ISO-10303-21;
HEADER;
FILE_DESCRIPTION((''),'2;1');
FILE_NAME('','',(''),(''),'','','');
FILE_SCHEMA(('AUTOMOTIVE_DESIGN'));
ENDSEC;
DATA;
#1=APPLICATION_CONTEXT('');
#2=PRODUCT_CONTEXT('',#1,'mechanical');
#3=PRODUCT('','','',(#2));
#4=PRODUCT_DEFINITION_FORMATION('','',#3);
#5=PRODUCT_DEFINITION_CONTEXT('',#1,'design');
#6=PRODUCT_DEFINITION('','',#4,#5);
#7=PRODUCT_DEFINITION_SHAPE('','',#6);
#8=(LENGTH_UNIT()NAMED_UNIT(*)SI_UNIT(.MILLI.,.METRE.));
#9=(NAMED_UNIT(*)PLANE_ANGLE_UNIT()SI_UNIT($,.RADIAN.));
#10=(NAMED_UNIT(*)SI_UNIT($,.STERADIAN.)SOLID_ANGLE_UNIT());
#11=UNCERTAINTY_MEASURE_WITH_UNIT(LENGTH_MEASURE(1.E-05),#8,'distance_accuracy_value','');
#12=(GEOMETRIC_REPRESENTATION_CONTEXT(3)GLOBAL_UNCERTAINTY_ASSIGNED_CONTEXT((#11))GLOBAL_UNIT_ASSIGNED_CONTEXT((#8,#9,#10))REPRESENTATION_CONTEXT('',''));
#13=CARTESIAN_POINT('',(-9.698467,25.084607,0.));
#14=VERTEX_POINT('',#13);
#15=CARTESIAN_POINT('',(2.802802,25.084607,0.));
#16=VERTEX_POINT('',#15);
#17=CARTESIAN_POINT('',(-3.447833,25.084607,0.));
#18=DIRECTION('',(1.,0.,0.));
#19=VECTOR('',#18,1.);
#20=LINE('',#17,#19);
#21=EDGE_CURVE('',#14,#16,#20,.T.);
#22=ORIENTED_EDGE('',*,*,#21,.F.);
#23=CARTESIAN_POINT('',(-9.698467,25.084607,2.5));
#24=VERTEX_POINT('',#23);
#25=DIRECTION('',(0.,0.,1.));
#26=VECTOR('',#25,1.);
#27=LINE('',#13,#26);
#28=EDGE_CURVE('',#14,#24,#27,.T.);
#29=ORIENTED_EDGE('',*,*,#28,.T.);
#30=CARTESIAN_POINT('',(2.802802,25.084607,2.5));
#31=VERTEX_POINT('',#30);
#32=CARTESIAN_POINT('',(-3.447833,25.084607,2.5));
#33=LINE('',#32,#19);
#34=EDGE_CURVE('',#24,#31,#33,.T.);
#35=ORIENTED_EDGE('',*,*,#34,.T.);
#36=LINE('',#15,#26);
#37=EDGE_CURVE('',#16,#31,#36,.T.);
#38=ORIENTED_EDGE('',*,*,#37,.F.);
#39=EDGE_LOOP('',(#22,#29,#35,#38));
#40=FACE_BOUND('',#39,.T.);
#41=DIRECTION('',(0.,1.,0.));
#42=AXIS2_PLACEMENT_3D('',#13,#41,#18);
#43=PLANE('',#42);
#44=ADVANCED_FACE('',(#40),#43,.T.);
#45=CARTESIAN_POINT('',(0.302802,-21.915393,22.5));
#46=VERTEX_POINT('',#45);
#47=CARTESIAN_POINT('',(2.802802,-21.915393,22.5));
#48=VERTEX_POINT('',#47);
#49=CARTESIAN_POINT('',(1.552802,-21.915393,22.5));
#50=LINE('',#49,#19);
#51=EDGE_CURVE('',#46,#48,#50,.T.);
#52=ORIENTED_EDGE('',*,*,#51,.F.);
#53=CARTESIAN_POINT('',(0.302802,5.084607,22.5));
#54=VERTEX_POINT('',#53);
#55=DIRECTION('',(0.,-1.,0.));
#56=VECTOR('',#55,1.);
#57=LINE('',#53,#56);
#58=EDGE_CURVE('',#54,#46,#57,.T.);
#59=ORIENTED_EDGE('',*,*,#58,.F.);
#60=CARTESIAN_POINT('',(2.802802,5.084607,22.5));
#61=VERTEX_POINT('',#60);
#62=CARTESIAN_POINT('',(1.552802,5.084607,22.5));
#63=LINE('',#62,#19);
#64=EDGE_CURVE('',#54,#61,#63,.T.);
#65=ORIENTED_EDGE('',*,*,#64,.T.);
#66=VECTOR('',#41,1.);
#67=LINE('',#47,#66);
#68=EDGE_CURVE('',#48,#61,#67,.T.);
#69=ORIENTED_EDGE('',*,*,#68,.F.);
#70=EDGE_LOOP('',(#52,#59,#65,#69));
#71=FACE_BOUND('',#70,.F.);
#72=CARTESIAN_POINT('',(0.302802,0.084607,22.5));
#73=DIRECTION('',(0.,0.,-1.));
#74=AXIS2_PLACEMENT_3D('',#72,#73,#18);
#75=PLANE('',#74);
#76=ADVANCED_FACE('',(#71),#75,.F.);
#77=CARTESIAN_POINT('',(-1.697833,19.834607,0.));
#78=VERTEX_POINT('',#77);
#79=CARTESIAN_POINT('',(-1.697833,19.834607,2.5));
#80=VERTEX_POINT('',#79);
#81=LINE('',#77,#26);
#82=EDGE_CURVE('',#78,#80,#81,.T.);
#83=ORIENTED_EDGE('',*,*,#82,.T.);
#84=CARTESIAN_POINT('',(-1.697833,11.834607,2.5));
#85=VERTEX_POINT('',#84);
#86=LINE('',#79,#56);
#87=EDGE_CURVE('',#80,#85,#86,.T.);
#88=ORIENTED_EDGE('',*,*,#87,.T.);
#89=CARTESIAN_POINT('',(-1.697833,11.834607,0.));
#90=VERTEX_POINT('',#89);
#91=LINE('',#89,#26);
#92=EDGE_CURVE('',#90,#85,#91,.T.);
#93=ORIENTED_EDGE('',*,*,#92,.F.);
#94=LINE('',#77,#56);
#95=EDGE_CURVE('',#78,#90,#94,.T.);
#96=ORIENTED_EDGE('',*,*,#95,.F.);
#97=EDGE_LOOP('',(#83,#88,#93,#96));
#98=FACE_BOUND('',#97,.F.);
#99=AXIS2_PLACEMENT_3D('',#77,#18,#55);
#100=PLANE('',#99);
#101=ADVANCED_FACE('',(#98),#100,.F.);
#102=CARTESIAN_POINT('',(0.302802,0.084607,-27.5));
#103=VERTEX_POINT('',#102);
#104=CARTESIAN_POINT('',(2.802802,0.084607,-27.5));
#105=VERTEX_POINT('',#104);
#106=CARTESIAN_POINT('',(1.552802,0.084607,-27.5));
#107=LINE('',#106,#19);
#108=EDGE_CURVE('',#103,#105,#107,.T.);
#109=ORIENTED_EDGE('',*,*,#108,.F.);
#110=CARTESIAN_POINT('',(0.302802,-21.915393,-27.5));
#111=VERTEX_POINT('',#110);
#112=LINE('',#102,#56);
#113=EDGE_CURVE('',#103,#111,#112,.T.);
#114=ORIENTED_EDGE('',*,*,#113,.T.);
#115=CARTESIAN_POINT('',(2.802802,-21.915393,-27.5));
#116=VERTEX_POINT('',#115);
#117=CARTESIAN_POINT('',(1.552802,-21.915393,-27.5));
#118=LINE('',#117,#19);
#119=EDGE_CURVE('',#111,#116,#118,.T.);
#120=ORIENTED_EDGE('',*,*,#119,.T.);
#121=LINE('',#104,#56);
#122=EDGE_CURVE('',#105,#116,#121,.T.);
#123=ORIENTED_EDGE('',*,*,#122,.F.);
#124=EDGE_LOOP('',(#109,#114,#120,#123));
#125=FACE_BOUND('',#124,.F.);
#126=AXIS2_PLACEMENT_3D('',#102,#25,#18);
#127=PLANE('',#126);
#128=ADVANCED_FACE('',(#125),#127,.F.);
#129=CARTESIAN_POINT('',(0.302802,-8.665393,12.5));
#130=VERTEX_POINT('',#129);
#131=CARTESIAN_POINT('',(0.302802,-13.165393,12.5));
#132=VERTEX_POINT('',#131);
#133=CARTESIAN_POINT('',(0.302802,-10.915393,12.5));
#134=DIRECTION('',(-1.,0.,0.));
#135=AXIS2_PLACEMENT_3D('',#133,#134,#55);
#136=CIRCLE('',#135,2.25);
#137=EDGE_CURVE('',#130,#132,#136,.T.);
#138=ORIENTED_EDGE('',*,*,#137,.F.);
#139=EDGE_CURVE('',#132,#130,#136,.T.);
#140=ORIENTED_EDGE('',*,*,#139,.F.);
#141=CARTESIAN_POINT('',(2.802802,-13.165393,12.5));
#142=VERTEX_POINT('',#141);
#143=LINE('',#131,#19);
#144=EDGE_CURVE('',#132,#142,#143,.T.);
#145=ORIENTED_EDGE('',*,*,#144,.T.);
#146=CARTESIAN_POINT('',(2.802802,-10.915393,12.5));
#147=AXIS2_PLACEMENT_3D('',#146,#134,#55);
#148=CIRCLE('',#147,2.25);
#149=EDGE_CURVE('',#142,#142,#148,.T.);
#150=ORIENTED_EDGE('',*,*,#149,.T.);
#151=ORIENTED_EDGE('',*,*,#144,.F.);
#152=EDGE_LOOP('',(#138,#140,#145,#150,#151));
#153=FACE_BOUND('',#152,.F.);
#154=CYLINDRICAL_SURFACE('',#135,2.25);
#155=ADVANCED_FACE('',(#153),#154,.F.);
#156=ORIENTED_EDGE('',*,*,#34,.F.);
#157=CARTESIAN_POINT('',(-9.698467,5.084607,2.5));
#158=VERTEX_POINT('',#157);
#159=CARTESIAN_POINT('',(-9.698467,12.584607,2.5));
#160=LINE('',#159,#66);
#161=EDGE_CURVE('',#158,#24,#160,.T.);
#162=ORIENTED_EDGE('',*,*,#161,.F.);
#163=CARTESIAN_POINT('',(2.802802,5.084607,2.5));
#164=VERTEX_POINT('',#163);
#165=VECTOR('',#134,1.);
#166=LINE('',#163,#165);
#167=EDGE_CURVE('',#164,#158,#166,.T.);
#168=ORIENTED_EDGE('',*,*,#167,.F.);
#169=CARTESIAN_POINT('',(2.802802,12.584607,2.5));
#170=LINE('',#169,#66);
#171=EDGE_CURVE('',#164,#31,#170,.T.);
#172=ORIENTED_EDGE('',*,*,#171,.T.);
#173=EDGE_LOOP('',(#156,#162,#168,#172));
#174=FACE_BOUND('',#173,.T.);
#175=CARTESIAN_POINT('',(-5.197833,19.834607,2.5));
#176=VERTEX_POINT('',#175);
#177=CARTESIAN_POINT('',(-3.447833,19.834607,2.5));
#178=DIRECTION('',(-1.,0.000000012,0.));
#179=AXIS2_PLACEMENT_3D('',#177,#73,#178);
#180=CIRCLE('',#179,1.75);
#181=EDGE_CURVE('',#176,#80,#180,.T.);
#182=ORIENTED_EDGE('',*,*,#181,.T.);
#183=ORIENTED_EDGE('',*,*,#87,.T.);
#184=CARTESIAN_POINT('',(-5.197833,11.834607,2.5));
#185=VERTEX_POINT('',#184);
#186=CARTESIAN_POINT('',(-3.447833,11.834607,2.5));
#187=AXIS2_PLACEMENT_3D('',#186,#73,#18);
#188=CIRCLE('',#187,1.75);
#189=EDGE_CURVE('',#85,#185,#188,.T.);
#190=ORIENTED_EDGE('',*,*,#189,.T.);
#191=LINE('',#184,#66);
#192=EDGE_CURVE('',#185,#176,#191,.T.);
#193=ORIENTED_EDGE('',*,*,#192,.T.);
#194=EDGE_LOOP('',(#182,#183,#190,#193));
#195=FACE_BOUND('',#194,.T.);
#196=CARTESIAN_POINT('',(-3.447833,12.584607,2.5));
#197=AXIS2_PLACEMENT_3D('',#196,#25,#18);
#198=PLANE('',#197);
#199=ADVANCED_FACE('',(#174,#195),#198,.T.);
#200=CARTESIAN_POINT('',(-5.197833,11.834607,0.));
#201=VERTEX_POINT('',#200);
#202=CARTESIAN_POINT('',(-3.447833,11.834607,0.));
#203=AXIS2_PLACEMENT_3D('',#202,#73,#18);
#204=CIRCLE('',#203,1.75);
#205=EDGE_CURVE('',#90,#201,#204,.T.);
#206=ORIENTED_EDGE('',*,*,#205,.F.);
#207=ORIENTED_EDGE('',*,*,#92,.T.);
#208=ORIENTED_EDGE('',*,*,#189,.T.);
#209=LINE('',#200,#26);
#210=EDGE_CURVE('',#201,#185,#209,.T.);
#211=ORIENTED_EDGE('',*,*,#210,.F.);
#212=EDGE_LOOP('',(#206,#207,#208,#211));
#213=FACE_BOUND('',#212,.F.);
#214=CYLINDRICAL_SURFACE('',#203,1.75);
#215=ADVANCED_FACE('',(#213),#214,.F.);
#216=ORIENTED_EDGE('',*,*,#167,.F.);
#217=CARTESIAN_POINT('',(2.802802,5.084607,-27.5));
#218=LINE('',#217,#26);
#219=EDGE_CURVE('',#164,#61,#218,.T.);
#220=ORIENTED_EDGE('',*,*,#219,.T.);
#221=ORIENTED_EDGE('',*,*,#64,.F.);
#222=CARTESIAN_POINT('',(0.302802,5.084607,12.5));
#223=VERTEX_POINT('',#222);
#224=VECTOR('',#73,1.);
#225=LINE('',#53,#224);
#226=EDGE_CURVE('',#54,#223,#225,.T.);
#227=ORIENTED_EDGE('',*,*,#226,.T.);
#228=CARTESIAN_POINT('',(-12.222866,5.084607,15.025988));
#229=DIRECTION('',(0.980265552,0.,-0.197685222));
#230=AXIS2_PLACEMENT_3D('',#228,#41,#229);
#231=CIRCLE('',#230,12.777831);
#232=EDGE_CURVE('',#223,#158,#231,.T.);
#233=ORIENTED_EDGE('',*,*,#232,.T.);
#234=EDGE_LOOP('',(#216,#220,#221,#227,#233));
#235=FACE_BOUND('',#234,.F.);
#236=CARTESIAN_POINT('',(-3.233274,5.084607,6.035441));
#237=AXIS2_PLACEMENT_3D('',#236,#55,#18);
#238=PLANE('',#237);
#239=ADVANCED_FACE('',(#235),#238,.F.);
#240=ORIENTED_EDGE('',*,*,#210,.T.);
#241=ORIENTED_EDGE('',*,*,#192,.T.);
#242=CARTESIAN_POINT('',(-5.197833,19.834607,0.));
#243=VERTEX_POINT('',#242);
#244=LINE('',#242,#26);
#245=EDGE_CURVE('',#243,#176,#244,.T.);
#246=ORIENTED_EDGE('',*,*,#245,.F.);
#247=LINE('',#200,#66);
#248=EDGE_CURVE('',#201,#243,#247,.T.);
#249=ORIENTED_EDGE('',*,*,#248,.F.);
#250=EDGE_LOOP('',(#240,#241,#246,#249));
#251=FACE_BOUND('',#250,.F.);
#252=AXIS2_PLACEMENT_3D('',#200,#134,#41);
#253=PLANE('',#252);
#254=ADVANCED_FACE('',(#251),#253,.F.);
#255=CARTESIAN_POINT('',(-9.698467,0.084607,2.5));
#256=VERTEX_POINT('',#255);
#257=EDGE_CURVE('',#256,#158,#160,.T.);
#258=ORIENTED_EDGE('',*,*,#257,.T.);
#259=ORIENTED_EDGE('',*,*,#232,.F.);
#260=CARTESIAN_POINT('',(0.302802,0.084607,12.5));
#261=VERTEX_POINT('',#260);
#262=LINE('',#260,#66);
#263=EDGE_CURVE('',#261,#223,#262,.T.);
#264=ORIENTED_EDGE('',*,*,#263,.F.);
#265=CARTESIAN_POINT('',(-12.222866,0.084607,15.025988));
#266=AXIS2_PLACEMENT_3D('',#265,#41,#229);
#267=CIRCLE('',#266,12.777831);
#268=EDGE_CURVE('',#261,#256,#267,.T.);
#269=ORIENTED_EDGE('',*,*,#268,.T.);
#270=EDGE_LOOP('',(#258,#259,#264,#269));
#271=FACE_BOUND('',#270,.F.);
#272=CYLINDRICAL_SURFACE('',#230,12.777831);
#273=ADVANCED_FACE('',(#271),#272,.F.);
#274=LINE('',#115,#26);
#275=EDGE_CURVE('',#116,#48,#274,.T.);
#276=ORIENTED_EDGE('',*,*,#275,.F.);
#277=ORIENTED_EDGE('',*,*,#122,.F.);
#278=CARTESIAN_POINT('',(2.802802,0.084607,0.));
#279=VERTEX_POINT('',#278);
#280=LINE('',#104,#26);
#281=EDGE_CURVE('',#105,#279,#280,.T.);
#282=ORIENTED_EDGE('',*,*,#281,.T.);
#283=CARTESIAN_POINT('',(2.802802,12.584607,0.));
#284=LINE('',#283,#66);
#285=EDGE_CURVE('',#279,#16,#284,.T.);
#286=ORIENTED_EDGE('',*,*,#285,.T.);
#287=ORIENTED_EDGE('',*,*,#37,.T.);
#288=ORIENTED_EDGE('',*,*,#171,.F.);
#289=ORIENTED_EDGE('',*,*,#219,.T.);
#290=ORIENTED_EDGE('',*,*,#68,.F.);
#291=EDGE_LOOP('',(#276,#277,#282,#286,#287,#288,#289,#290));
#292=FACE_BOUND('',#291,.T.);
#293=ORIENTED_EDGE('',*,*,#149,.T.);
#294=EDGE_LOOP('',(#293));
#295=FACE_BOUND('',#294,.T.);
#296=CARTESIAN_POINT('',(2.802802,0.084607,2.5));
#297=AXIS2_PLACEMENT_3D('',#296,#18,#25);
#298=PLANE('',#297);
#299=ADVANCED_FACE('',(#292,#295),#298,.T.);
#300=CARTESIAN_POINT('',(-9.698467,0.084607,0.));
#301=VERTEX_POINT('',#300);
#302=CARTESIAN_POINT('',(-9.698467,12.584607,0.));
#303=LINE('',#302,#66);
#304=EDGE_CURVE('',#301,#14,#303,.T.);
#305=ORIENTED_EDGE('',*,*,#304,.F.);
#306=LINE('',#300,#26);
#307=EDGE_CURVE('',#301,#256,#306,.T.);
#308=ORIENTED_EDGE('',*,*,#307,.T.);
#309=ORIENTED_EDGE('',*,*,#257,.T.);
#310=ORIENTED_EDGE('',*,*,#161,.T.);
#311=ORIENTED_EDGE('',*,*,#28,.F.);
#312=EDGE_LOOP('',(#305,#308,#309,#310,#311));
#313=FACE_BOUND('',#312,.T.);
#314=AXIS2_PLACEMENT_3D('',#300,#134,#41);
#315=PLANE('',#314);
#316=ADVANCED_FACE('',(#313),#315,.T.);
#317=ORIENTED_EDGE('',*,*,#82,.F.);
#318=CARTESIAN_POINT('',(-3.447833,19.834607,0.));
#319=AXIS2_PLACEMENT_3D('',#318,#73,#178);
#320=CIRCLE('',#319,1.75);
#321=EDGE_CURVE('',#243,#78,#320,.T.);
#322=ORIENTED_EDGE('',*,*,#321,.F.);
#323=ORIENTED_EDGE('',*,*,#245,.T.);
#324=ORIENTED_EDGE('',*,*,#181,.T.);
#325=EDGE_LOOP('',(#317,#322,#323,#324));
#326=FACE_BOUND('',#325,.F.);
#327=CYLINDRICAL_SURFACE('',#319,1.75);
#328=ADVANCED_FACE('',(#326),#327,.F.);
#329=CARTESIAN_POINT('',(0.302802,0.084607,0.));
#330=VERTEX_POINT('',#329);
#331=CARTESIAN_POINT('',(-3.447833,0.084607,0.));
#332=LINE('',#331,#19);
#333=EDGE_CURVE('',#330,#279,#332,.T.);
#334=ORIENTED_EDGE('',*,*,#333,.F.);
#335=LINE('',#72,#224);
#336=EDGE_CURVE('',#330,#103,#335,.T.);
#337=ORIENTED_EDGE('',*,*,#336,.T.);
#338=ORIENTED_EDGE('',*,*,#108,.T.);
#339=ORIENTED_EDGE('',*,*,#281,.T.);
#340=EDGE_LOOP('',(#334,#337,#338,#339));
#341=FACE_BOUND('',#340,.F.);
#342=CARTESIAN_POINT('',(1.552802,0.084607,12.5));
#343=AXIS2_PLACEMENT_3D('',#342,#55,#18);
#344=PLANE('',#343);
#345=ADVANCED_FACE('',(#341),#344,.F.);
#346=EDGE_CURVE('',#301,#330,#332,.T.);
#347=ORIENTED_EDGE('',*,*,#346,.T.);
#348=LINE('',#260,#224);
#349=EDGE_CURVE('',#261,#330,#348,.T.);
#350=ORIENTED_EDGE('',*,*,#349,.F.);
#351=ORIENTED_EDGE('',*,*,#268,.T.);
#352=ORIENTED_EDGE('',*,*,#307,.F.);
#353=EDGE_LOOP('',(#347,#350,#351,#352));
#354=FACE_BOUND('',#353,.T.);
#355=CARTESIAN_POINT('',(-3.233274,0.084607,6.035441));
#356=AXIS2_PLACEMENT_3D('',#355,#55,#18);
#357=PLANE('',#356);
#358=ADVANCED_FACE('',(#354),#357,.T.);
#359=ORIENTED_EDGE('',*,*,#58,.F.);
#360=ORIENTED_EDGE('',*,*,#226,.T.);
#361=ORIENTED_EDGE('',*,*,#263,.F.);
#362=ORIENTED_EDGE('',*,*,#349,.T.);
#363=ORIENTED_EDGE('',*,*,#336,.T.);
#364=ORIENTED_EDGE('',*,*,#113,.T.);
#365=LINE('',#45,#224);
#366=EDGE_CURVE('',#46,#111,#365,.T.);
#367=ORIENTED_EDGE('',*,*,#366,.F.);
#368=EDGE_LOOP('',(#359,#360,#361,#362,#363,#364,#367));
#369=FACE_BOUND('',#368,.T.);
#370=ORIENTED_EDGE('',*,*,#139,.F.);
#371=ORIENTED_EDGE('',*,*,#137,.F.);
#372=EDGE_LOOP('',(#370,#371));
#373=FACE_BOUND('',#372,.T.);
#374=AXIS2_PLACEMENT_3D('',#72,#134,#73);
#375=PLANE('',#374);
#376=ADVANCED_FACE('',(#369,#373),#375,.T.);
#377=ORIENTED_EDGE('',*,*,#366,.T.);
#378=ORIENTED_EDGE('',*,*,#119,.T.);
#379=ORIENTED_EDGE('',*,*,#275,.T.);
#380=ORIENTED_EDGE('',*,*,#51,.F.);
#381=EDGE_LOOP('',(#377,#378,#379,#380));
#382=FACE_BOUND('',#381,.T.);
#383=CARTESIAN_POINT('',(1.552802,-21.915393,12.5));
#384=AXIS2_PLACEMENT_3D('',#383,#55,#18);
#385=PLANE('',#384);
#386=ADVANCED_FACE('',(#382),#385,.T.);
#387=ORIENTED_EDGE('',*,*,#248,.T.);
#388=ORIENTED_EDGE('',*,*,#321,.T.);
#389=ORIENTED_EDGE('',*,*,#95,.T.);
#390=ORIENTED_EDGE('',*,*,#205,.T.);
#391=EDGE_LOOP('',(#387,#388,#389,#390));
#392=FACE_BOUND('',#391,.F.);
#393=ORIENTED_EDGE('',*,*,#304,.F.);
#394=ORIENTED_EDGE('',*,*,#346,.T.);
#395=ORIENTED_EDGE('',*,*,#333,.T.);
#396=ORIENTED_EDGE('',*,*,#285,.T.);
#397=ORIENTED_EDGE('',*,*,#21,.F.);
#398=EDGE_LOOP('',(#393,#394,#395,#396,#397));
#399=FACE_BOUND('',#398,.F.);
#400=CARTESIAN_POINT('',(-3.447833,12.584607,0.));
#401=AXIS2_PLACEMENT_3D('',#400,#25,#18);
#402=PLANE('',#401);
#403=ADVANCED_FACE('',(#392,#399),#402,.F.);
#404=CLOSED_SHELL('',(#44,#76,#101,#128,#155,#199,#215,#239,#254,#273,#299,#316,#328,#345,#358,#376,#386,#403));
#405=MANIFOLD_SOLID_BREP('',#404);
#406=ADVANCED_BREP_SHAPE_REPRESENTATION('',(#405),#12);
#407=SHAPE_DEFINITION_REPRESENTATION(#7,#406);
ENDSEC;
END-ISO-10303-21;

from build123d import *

# Parameters (mm, degrees)
F0_W      = 12.5012692667
F0_H      = 25
F1_DEPTH  = 2.5
F2_W      = 2.5
F2_H      = 20
F2_H_2    = 2.5
F2_H_3    = 27.5
F3_DEPTH  = 22
F4_DEPTH  = 5
F5_R      = 2.25
F6_DEPTH  = 25
F9_DEPTH  = 5
F11_DEPTH = 25


with BuildPart() as f1:
    # F0 (on Top) → F1 (new body)
    with BuildSketch(Plane.XY):
        with Locations((-3.4478325397, 12.5846065283)):
            Rectangle(F0_W, F0_H)
        with BuildLine():
            Line((-1.6978325397, 19.8346065283), (-1.6978325397, 11.8346065283))
            ThreePointArc((-1.6978325397, 11.8346065283), (-3.4478325397, 10.0846065283), (-5.1978325397, 11.8346065283))
            Line((-5.1978325397, 11.8346065283), (-5.1978325397, 19.8346065283))
            ThreePointArc((-5.1978325397, 19.8346065489), (-3.4478325254, 21.5846065283), (-1.6978325397, 19.8346065205))
        make_face(mode=Mode.SUBTRACT)
    extrude(amount=F1_DEPTH)

    # F2 (on face) → F3 (join)
    with BuildSketch(Plane.XZ.offset(-0.0846065283)):
        with Locations((1.5528020937, 12.5)):
            Rectangle(F2_W, F2_H)
        with Locations((1.5528020937, 1.25)):
            Rectangle(F2_W, F2_H_2)
        with Locations((1.5528020937, -13.75)):
            Rectangle(F2_W, F2_H_3)
    extrude(amount=F3_DEPTH)

    # F4 (add): a face of the model
    f4_faces = [f1.faces().sort_by_distance(p)[0] for p in [
        (1.5528020937, 0.0846065283, 12.5),
    ]]
    extrude(f4_faces, amount=F4_DEPTH)

    # F5 (on face) → F6 (cut)
    with BuildSketch(Plane(origin=(0.3028020937, 0, 0), x_dir=(0, -1, 0), z_dir=(-1, 0, 0))):
        with Locations((10.9153934717, 12.5)):
            Circle(F5_R)
    extrude(amount=-F6_DEPTH, mode=Mode.SUBTRACT)

    # F8 (on offset) → F9 (join)
    with BuildSketch(Plane.XZ.offset(-0.0846065283)):
        Polygon((0.3028020937, 12.5), (-9.698467173, 2.5), (0.3028020937, 2.5), align=None)
    extrude(amount=-F9_DEPTH)

    # F10 (on face) → F11 (cut)
    with BuildSketch(Plane(origin=(0, 5.0846065283, 0), x_dir=(-1, 0, 0), z_dir=(0, 1, 0))):
        with BuildLine():
            Line((9.698467173, 2.5), (-0.3028020937, 12.5))
            ThreePointArc((-0.3028020937, 12.5), (3.1881480162, 5.9901238573), (9.698467173, 2.5))
        make_face()
    extrude(amount=-F11_DEPTH, mode=Mode.SUBTRACT)


solid = f1.part
